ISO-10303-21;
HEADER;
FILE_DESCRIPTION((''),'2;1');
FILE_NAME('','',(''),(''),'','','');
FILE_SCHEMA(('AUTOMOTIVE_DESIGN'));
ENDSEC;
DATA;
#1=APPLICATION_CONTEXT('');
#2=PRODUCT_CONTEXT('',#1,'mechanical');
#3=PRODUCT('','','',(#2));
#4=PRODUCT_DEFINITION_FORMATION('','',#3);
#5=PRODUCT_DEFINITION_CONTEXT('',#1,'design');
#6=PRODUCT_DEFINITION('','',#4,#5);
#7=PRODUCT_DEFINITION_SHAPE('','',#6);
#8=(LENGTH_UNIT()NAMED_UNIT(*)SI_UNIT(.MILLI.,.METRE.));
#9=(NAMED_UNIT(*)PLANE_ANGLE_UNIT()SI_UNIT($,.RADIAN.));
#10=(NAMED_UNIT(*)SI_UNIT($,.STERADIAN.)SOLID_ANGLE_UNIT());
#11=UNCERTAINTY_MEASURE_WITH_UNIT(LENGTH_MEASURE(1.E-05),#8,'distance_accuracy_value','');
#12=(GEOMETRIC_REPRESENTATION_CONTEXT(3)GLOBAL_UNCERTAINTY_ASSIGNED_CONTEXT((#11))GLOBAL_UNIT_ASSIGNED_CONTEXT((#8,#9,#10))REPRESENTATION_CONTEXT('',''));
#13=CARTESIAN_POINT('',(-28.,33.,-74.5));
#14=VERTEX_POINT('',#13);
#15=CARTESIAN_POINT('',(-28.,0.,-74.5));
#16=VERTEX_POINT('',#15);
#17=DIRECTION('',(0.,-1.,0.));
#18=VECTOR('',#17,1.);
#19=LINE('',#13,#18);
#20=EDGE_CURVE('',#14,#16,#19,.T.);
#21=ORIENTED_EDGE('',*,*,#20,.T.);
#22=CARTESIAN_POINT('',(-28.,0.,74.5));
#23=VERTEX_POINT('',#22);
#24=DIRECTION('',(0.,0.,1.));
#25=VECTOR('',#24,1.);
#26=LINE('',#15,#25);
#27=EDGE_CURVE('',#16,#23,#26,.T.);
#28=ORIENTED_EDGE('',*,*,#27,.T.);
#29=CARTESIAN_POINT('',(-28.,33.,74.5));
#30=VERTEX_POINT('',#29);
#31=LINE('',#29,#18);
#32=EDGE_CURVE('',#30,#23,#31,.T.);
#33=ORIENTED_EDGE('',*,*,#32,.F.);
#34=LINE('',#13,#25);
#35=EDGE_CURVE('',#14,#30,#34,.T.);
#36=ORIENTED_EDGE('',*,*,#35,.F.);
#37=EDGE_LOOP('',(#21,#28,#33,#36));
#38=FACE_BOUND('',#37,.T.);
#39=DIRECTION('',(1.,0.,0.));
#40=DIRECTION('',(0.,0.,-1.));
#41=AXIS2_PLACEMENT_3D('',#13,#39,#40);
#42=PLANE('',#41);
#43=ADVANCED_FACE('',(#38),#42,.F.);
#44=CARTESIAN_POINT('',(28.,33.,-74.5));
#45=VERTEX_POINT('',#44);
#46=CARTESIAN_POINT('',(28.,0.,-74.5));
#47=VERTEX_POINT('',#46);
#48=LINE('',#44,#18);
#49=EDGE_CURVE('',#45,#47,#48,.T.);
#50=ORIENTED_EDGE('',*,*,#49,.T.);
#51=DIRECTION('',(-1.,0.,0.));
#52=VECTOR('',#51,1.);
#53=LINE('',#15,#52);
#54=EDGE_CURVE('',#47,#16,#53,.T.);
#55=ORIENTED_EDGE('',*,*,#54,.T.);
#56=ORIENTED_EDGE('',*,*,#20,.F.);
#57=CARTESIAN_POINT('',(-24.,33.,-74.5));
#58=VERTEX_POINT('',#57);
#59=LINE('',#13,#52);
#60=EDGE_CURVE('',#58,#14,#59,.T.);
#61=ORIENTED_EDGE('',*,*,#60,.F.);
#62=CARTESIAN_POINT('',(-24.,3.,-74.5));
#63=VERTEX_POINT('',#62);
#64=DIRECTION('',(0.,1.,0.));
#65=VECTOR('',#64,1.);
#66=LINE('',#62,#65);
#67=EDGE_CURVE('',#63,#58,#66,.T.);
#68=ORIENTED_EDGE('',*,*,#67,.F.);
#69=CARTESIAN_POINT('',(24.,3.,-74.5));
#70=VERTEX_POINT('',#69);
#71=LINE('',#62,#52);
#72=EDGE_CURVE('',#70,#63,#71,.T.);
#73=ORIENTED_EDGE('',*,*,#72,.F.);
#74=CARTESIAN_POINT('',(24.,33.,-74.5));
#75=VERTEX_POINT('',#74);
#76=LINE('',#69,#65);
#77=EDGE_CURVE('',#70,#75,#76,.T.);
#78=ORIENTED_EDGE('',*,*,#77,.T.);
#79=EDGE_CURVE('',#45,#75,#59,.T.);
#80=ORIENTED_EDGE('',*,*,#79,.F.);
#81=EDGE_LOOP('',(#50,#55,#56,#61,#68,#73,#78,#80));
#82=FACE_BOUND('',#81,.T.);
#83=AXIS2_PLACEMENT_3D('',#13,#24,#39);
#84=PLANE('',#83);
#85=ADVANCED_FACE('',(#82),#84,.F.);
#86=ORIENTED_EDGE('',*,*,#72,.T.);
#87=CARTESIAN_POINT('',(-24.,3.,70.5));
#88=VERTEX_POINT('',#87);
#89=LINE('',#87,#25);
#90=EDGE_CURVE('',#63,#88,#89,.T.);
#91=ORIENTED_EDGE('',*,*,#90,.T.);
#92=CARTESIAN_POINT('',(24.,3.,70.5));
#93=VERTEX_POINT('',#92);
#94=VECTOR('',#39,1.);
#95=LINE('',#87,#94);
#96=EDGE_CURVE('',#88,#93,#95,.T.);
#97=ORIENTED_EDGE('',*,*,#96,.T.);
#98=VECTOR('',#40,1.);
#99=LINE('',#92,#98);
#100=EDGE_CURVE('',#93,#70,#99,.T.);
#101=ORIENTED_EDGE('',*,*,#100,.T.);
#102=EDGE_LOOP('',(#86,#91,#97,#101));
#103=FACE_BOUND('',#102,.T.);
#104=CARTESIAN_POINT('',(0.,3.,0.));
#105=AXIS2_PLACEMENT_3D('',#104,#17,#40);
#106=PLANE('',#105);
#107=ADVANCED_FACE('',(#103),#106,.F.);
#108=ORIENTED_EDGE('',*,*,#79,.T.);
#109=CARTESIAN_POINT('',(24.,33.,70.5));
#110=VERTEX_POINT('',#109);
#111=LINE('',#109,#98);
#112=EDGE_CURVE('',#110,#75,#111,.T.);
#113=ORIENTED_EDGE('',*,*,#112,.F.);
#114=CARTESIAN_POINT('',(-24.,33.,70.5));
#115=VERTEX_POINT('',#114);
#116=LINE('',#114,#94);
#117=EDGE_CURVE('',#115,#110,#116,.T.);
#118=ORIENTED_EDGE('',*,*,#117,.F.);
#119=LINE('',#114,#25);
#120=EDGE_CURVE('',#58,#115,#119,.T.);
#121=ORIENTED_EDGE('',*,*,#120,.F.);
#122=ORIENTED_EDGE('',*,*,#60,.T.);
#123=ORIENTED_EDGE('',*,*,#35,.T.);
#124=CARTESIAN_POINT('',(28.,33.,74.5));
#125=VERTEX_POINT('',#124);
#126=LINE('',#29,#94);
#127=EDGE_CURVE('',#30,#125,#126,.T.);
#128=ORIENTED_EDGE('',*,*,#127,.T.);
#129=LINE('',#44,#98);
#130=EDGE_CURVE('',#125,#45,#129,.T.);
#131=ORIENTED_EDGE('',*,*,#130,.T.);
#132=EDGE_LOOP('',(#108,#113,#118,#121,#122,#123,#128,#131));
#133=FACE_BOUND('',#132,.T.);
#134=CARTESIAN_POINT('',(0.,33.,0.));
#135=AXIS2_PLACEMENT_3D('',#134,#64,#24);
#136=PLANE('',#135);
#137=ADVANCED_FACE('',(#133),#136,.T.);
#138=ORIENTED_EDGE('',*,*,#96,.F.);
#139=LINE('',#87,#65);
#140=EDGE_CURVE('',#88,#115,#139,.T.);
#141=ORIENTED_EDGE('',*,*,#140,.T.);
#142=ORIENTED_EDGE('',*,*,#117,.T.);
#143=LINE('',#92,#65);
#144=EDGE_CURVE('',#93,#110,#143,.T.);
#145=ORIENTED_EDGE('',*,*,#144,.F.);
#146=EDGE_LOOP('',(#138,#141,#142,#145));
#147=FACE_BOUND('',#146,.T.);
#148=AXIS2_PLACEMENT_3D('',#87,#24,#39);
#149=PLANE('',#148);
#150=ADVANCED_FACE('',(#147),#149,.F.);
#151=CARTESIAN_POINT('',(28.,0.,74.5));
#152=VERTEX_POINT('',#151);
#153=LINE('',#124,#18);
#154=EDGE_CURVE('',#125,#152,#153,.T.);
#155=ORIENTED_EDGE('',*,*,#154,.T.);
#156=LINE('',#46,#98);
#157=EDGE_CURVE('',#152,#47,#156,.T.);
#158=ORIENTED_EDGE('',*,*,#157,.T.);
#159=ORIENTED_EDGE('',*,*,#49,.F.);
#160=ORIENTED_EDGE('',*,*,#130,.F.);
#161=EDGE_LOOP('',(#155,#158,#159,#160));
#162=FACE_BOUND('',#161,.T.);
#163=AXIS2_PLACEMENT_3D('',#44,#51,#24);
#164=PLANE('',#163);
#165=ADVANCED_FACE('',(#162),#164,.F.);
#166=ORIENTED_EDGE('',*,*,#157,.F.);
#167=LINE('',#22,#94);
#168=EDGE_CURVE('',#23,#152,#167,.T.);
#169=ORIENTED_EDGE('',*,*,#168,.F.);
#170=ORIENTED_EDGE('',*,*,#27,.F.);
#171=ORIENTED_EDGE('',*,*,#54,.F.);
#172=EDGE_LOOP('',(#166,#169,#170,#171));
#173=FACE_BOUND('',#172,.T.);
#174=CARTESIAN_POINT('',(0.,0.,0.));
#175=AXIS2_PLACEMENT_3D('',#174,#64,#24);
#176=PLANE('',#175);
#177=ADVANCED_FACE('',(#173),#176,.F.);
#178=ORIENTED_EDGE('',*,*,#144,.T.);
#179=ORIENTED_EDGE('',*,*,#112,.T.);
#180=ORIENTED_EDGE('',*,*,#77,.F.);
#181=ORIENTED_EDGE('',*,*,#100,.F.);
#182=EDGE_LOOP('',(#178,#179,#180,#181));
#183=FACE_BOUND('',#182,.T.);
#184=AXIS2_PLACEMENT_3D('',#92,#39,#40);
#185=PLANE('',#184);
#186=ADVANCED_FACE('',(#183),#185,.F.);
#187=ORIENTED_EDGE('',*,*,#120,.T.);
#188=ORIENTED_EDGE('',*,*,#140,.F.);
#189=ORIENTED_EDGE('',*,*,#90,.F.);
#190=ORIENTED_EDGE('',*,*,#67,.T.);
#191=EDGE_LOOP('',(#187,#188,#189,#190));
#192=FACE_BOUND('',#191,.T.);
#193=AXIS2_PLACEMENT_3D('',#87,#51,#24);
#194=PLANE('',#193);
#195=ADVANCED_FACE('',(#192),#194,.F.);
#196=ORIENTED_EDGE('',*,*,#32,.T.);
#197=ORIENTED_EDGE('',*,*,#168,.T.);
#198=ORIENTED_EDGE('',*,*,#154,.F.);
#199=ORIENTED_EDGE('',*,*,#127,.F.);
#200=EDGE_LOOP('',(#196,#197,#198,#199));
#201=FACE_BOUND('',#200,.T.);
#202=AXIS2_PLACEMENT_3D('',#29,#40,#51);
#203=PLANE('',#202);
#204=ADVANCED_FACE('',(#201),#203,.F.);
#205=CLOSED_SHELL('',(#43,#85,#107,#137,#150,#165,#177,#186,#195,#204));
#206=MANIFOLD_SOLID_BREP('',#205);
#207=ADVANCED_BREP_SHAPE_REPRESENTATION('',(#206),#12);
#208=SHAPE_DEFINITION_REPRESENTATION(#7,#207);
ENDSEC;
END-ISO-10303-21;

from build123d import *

# Parameters (mm, degrees)
CROQUIS1_W              = 56
CROQUIS1_H              = 149
SALIENTE_EXTRUIR4_DEPTH = 33
CROQUIS2_W              = 48
CROQUIS2_H              = 145
CORTAR_EXTRUIR1_DEPTH   = 30


with BuildPart() as part:
    # Croquis1 → Saliente-Extruir4 (new body)
    with BuildSketch(Plane(origin=(0, 0, 0), x_dir=(1, 0, 0), z_dir=(0, 1, 0))):
        Rectangle(CROQUIS1_W, CROQUIS1_H)
    extrude(amount=SALIENTE_EXTRUIR4_DEPTH)

    # Croquis2 → Cortar-Extruir1 (cut)
    with BuildSketch(Plane(origin=(0, 33, 0), x_dir=(1, 0, 0), z_dir=(0, 1, 0))):
        with Locations((0, 2)):
            Rectangle(CROQUIS2_W, CROQUIS2_H)
    extrude(amount=-CORTAR_EXTRUIR1_DEPTH, mode=Mode.SUBTRACT)


solid = part.part
